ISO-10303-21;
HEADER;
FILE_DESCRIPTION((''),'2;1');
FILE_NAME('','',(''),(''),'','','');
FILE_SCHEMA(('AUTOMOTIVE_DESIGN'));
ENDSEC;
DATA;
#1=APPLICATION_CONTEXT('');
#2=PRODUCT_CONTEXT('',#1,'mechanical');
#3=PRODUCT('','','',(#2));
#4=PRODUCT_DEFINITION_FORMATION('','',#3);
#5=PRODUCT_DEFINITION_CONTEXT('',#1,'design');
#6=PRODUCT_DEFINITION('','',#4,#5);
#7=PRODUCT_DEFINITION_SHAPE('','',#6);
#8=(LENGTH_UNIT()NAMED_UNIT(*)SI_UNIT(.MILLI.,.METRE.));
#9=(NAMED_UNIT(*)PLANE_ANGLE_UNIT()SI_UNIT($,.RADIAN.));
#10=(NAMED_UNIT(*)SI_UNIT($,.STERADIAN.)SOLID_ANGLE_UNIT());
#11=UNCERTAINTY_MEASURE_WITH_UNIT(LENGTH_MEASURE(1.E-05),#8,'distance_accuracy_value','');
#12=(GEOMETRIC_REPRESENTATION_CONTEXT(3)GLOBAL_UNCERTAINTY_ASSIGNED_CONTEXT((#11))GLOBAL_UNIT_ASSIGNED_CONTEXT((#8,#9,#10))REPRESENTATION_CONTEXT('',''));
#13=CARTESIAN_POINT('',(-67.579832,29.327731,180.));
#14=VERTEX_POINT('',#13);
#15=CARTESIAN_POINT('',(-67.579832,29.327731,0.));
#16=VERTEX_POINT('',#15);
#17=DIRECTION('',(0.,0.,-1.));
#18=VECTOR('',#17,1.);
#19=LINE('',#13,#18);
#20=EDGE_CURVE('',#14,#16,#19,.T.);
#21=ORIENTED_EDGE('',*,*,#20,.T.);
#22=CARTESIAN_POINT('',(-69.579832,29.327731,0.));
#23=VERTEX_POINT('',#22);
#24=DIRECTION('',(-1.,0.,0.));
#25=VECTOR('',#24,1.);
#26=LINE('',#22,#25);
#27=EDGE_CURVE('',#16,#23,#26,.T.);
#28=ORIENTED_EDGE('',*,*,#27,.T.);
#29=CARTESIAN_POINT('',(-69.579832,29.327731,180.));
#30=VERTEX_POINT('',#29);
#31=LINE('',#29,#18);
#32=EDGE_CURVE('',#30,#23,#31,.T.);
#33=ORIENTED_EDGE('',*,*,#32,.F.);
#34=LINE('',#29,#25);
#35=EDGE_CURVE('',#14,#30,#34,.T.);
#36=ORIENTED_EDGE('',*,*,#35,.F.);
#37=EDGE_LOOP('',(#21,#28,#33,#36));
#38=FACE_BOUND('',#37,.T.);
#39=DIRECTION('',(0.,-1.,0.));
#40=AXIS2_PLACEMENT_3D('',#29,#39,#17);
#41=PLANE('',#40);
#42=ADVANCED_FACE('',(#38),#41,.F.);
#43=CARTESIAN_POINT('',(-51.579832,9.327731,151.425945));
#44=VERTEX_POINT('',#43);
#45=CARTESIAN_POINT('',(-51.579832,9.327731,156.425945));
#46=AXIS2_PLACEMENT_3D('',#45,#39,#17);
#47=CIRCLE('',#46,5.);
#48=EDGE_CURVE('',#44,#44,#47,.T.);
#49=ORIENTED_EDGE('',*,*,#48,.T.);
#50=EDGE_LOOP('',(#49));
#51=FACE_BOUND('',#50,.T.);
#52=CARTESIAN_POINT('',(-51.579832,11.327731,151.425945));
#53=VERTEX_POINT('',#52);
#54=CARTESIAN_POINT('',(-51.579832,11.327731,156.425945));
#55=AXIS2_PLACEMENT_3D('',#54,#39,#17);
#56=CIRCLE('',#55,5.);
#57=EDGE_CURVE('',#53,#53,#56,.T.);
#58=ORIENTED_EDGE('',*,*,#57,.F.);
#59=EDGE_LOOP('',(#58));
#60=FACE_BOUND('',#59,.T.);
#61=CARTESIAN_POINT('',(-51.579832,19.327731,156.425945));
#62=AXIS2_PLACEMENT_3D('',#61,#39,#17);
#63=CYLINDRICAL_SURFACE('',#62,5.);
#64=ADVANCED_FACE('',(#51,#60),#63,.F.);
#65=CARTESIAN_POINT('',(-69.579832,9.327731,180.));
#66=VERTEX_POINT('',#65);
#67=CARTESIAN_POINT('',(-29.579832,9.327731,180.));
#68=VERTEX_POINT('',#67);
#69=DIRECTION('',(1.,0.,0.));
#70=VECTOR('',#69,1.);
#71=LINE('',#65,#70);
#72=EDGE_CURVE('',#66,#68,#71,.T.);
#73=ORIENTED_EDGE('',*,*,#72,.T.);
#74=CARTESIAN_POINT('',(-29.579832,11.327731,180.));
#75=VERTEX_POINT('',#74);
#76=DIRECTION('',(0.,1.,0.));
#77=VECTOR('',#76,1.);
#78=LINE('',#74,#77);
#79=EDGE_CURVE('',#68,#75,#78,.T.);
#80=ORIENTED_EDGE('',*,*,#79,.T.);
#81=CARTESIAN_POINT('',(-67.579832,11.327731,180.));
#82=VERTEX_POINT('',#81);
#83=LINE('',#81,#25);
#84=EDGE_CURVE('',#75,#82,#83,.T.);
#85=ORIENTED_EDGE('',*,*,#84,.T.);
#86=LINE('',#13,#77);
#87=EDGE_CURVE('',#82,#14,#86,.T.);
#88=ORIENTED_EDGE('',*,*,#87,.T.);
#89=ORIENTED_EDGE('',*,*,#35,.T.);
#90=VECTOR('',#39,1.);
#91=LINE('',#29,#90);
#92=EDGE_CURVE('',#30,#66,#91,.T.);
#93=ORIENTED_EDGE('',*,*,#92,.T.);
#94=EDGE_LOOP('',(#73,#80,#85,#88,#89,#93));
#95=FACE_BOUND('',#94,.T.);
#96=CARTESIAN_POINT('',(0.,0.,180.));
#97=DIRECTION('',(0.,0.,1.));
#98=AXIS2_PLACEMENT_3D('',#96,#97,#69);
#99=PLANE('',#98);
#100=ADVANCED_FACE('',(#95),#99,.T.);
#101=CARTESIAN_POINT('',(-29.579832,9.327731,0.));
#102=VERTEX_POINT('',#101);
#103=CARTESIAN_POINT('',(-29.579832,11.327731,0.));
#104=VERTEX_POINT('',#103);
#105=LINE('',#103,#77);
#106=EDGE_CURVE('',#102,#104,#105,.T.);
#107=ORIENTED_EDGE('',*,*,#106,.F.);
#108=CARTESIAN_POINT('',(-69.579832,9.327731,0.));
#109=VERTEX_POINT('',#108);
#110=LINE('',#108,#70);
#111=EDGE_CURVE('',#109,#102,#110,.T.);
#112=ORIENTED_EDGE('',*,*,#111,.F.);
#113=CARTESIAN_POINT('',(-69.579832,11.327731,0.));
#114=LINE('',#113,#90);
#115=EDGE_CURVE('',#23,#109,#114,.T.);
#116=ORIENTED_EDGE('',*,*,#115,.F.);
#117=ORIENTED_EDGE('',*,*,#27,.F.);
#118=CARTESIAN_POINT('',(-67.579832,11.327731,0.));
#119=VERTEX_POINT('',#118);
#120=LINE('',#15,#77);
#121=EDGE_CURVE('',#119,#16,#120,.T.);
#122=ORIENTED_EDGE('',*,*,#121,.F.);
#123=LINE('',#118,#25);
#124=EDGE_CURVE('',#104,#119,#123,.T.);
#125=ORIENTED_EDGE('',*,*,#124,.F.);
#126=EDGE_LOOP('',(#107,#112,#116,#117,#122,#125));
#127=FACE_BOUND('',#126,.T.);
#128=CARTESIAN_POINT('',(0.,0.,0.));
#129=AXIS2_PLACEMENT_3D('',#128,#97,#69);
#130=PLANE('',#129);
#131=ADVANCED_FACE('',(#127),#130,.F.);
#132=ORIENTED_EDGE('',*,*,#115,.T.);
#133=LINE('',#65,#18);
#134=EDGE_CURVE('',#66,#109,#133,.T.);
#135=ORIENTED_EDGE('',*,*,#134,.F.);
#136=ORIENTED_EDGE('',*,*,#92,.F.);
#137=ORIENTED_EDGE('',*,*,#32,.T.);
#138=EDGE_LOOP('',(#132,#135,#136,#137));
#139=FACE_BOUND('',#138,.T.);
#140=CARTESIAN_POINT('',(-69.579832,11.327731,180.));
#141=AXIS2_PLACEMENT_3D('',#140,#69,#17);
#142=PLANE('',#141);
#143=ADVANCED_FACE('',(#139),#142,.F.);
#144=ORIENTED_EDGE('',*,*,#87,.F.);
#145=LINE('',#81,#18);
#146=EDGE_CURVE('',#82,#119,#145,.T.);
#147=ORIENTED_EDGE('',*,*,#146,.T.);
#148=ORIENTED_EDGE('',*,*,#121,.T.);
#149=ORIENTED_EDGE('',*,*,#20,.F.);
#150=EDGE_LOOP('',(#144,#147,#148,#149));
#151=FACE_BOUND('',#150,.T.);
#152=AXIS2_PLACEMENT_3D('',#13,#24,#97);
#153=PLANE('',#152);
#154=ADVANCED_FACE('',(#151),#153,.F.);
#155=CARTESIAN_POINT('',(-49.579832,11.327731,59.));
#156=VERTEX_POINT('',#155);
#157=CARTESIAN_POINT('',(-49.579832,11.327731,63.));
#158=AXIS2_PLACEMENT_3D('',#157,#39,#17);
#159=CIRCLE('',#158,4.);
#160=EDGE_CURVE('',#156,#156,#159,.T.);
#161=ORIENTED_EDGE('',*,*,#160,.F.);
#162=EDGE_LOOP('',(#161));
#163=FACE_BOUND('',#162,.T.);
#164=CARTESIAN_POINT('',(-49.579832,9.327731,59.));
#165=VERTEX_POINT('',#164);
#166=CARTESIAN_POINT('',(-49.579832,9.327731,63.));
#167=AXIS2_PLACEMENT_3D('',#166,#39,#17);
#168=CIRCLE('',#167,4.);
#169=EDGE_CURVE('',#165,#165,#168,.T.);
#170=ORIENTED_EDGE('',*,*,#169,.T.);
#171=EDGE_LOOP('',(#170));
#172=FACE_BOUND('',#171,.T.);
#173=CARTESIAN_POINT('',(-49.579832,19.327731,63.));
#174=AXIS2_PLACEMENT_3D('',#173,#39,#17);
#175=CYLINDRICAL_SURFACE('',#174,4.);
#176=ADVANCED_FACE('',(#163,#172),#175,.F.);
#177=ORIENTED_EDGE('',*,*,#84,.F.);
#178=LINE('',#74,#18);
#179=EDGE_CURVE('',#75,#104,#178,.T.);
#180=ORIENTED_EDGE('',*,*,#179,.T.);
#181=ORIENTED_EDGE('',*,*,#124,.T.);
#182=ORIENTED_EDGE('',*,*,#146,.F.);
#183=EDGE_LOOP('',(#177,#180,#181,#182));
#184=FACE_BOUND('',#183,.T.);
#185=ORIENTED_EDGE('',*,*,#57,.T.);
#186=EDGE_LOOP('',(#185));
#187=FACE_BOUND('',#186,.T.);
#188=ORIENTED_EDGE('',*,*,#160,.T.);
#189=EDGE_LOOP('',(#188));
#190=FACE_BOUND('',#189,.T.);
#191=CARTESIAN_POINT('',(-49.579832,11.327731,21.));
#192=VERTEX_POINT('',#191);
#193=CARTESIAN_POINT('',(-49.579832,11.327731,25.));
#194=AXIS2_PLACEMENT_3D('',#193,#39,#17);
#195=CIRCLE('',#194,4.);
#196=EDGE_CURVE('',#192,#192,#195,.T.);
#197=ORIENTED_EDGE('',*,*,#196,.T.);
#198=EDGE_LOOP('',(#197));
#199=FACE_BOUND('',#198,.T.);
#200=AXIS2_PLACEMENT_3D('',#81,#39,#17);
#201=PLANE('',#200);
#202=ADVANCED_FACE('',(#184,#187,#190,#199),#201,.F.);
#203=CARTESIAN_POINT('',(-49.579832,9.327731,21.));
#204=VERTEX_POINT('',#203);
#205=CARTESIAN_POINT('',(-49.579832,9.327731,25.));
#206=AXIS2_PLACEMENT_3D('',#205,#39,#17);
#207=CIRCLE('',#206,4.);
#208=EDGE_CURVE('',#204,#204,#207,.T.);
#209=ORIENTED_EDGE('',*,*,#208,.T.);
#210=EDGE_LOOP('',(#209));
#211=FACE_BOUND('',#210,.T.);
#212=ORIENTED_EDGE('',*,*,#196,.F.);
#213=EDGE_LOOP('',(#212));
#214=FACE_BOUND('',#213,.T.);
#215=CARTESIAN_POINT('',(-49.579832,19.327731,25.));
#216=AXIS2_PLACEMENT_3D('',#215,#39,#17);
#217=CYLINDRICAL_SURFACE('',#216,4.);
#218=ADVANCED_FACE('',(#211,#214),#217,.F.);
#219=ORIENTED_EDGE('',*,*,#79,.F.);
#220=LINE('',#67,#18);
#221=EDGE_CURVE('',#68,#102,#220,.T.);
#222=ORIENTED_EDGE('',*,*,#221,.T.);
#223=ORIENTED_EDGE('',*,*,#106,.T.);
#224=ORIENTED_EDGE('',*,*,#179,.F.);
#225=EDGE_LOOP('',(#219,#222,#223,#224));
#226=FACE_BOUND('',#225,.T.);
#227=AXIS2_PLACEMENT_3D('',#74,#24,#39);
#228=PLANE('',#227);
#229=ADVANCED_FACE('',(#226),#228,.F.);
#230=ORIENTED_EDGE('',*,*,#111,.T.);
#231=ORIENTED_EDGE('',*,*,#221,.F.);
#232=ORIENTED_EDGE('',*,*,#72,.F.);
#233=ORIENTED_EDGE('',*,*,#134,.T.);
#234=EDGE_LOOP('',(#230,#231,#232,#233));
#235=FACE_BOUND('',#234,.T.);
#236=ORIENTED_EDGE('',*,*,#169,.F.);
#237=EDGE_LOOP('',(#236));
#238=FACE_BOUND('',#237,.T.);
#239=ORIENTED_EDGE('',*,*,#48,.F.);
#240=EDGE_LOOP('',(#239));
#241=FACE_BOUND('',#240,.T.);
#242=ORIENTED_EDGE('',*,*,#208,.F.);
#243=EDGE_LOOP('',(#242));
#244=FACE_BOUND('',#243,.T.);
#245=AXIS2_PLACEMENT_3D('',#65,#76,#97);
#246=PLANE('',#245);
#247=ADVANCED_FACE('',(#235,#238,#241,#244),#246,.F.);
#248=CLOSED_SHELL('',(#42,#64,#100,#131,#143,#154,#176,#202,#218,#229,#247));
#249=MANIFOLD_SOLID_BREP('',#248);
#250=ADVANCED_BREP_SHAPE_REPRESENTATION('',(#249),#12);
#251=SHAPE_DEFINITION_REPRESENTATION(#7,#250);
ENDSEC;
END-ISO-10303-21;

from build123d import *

# Parameters (mm, degrees)
BOSS_EXTRUDE1_DEPTH = 180
SKETCH3_R           = 4
SKETCH3_R_2         = 5
CUT_EXTRUDE1_DEPTH  = 10


with BuildPart() as part:
    # Sketch1 → Boss-Extrude1 (new body)
    with BuildSketch(Plane.XY):
        Polygon((-69.579831933, 29.327731092), (-67.579831933, 29.327731092), (-67.579831933, 11.327731092), (-29.579831933, 11.327731092), (-29.579831933, 9.327731092), (-69.579831933, 9.327731092), (-69.579831933, 11.327731092), align=None)
    extrude(amount=BOSS_EXTRUDE1_DEPTH)

    # Sketch3 → Cut-Extrude1 (cut)
    with BuildSketch(Plane.XZ.offset(-9.327731092)):
        with Locations(Location((-49.579831933, 63, 0), (0, 0, 270))):
            Circle(SKETCH3_R)
        with Locations(Location((-49.579831933, 25, 0), (0, 0, 270))):
            Circle(SKETCH3_R)
        with Locations(Location((-51.579831933, 156.42594511, 0), (0, 0, 270))):
            Circle(SKETCH3_R_2)
    extrude(amount=-CUT_EXTRUDE1_DEPTH, mode=Mode.SUBTRACT)


solid = part.part
